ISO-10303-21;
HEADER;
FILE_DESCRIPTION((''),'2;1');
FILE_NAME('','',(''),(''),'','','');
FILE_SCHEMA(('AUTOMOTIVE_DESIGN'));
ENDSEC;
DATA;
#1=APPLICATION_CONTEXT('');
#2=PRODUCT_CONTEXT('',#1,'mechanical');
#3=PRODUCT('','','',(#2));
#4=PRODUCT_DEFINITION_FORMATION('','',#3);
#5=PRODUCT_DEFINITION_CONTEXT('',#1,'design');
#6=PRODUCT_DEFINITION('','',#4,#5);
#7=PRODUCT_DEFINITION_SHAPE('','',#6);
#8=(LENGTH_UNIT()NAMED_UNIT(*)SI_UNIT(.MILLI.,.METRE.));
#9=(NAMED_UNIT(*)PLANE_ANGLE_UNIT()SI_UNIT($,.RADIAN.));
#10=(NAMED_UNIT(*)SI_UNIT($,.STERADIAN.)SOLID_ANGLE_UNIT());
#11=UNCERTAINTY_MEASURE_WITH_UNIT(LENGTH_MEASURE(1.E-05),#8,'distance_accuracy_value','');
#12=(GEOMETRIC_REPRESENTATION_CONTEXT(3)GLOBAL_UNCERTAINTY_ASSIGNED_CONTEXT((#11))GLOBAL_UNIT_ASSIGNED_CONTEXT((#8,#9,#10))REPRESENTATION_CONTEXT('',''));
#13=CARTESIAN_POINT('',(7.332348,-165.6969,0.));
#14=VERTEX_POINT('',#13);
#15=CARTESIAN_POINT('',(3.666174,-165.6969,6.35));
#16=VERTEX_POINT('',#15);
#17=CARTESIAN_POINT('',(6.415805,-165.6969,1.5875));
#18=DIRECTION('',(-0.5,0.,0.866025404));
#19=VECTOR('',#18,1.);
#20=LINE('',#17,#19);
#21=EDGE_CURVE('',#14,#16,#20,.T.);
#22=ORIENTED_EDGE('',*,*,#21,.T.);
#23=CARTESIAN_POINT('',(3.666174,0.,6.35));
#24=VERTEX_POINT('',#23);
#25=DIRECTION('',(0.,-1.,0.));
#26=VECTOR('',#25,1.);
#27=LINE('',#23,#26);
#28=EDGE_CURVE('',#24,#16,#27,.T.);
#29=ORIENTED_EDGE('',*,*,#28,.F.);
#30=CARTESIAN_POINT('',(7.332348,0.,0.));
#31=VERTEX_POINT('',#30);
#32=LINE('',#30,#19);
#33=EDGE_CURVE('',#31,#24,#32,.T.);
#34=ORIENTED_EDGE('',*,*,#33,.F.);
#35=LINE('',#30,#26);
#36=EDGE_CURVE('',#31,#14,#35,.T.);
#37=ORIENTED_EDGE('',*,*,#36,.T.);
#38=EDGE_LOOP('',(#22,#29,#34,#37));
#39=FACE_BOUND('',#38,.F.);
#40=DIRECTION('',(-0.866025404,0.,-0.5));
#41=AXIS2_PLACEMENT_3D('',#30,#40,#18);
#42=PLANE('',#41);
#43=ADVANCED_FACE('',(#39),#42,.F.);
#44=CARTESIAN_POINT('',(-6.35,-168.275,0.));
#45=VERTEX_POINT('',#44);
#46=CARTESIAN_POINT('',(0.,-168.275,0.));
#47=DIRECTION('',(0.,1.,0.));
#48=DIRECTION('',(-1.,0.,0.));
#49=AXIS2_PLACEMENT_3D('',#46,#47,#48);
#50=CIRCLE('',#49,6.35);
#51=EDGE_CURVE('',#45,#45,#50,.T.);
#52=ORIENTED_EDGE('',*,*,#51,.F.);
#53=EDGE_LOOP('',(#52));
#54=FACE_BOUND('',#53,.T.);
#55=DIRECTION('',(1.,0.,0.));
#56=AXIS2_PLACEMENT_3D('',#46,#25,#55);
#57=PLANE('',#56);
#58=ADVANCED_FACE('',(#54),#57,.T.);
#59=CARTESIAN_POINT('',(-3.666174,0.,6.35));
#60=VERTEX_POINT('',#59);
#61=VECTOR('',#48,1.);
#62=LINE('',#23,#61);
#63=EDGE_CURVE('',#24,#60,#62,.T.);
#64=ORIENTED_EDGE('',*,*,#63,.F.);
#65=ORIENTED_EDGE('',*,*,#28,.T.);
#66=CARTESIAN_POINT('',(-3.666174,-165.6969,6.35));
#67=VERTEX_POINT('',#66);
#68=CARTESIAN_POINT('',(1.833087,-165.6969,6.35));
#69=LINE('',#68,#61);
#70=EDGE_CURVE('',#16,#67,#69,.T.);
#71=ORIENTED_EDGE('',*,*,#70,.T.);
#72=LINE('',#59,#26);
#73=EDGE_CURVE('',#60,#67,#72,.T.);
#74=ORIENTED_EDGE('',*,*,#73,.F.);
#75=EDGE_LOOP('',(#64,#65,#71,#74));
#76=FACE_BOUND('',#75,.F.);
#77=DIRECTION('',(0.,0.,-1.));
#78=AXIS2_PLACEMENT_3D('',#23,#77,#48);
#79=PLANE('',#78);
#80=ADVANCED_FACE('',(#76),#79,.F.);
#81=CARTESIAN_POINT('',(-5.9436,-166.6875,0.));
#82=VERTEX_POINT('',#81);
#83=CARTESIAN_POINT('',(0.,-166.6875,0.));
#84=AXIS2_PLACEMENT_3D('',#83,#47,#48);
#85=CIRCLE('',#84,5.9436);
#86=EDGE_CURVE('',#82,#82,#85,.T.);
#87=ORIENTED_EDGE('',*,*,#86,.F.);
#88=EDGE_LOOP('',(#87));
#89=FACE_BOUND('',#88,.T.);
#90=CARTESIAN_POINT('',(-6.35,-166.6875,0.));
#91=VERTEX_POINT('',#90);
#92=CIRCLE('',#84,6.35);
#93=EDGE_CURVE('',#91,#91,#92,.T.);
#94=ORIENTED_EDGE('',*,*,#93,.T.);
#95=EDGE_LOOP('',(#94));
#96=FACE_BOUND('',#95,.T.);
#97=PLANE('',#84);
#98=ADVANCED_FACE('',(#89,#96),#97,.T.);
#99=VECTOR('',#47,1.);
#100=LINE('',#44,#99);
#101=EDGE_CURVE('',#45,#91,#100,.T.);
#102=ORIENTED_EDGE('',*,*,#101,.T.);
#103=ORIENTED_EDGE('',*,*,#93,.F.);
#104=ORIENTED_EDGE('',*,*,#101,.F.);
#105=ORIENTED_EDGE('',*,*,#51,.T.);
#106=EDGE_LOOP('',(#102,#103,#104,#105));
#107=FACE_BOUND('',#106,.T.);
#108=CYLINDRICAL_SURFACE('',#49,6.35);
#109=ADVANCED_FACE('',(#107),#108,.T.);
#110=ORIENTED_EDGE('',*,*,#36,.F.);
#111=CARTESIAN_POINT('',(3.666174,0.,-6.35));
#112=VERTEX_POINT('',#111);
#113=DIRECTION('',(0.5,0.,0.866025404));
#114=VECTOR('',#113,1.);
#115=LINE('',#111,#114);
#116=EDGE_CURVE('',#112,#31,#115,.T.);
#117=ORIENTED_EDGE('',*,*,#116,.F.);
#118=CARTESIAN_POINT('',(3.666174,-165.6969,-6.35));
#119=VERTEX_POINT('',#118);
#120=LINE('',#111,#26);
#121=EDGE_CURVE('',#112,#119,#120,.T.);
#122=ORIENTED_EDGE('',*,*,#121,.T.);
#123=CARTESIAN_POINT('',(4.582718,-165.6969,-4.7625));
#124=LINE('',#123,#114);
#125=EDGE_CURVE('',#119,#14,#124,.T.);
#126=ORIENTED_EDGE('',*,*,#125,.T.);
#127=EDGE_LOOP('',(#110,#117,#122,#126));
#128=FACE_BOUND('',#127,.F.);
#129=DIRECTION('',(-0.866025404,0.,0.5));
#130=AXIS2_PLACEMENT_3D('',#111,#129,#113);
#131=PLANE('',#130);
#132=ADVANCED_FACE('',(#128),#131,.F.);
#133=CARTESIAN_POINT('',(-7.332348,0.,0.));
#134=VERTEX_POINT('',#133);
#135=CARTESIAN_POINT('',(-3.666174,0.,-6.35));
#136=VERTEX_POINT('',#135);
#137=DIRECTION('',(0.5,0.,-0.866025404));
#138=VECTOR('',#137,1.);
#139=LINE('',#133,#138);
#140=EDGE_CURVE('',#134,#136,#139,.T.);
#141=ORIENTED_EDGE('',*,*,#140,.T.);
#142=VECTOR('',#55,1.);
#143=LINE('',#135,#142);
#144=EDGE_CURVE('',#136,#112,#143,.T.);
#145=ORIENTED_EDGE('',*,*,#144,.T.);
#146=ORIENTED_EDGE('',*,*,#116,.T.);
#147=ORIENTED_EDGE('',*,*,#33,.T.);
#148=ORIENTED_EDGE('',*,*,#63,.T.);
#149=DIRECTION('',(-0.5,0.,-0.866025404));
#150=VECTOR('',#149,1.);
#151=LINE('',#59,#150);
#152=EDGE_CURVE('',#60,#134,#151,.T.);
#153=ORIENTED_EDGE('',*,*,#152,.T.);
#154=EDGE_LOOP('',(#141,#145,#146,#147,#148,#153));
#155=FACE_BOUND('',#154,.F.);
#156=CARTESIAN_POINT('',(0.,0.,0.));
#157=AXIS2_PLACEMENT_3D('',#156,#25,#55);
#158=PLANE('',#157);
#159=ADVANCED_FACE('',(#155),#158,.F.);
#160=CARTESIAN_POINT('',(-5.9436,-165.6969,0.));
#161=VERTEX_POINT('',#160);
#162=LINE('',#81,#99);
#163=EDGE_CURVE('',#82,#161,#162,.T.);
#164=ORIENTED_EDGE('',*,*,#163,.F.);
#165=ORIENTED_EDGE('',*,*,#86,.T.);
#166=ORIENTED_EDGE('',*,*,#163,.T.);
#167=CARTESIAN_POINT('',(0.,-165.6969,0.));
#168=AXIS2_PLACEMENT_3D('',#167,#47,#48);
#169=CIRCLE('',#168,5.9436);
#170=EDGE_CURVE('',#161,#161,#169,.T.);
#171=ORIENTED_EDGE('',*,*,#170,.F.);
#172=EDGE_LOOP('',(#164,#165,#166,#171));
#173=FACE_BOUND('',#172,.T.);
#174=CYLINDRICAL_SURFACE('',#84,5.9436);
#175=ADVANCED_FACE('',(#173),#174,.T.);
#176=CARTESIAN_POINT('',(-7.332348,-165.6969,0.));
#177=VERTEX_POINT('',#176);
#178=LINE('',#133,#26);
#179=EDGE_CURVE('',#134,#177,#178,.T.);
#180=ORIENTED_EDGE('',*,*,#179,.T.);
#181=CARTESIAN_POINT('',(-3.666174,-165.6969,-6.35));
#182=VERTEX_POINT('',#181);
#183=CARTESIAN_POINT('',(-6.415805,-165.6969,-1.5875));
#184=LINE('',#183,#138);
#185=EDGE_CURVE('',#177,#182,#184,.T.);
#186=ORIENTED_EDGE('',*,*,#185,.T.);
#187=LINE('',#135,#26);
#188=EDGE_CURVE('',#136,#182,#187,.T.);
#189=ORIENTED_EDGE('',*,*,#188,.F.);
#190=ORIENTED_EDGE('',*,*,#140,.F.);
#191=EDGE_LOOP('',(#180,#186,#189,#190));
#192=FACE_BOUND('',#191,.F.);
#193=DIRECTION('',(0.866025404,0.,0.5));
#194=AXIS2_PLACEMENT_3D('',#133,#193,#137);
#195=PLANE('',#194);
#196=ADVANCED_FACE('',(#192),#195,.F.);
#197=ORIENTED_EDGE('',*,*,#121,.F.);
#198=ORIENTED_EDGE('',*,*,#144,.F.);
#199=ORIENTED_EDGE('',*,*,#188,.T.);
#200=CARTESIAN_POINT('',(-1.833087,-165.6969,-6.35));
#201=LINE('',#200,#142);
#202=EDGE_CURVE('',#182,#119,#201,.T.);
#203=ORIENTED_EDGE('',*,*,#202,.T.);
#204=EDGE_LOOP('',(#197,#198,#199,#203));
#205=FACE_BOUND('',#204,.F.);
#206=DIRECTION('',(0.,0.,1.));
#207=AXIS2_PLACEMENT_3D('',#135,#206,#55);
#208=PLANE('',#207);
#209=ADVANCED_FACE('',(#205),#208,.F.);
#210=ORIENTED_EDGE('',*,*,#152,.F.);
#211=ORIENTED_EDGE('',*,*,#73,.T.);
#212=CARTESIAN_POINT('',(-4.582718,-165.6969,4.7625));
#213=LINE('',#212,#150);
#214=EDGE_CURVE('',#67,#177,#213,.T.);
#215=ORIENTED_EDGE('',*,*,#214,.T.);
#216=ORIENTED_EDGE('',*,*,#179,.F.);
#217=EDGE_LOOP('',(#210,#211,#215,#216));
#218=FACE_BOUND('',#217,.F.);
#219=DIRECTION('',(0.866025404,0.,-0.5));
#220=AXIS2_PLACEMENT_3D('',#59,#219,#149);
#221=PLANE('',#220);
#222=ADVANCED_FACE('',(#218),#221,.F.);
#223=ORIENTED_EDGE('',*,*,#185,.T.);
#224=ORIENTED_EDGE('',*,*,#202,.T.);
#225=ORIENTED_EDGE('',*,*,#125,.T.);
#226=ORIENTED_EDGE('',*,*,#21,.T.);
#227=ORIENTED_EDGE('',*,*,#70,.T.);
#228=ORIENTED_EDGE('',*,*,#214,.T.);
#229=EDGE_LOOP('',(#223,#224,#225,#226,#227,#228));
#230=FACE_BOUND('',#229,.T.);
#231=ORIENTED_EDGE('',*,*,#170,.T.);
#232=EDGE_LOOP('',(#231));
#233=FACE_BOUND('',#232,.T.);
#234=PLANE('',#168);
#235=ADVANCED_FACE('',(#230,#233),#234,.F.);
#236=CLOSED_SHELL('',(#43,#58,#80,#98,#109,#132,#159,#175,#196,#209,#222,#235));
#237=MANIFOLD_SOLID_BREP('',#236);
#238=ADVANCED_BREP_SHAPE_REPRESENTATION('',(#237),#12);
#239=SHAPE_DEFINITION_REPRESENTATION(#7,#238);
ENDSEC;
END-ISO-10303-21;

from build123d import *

# Parameters (mm, degrees)
F1_DEPTH = 168.275


with BuildPart() as f1:
    # F0 (on Front) → F1 (new body)
    with BuildSketch(Plane.XZ):
        Polygon((3.6661742094, 6.35), (-3.6661742094, 6.35), (-7.3323484187, 0), (-3.6661742094, -6.35), (3.6661742094, -6.35), (7.3323484187, 0), align=None)
    extrude(amount=F1_DEPTH)

    # F2 (on Top) → F3 (revolve, cut)
    with BuildSketch(Plane.XY):
        Polygon((-5.9436, -165.6969), (-7.3323484187, -165.6969), (-7.3323484187, -168.275), (-6.35, -168.275), (-6.35, -166.6875), (-5.9436, -166.6875), align=None)
    revolve(axis=Axis((0, -84.1375, 0), (0, 1, 0)), mode=Mode.SUBTRACT)


solid = f1.part
